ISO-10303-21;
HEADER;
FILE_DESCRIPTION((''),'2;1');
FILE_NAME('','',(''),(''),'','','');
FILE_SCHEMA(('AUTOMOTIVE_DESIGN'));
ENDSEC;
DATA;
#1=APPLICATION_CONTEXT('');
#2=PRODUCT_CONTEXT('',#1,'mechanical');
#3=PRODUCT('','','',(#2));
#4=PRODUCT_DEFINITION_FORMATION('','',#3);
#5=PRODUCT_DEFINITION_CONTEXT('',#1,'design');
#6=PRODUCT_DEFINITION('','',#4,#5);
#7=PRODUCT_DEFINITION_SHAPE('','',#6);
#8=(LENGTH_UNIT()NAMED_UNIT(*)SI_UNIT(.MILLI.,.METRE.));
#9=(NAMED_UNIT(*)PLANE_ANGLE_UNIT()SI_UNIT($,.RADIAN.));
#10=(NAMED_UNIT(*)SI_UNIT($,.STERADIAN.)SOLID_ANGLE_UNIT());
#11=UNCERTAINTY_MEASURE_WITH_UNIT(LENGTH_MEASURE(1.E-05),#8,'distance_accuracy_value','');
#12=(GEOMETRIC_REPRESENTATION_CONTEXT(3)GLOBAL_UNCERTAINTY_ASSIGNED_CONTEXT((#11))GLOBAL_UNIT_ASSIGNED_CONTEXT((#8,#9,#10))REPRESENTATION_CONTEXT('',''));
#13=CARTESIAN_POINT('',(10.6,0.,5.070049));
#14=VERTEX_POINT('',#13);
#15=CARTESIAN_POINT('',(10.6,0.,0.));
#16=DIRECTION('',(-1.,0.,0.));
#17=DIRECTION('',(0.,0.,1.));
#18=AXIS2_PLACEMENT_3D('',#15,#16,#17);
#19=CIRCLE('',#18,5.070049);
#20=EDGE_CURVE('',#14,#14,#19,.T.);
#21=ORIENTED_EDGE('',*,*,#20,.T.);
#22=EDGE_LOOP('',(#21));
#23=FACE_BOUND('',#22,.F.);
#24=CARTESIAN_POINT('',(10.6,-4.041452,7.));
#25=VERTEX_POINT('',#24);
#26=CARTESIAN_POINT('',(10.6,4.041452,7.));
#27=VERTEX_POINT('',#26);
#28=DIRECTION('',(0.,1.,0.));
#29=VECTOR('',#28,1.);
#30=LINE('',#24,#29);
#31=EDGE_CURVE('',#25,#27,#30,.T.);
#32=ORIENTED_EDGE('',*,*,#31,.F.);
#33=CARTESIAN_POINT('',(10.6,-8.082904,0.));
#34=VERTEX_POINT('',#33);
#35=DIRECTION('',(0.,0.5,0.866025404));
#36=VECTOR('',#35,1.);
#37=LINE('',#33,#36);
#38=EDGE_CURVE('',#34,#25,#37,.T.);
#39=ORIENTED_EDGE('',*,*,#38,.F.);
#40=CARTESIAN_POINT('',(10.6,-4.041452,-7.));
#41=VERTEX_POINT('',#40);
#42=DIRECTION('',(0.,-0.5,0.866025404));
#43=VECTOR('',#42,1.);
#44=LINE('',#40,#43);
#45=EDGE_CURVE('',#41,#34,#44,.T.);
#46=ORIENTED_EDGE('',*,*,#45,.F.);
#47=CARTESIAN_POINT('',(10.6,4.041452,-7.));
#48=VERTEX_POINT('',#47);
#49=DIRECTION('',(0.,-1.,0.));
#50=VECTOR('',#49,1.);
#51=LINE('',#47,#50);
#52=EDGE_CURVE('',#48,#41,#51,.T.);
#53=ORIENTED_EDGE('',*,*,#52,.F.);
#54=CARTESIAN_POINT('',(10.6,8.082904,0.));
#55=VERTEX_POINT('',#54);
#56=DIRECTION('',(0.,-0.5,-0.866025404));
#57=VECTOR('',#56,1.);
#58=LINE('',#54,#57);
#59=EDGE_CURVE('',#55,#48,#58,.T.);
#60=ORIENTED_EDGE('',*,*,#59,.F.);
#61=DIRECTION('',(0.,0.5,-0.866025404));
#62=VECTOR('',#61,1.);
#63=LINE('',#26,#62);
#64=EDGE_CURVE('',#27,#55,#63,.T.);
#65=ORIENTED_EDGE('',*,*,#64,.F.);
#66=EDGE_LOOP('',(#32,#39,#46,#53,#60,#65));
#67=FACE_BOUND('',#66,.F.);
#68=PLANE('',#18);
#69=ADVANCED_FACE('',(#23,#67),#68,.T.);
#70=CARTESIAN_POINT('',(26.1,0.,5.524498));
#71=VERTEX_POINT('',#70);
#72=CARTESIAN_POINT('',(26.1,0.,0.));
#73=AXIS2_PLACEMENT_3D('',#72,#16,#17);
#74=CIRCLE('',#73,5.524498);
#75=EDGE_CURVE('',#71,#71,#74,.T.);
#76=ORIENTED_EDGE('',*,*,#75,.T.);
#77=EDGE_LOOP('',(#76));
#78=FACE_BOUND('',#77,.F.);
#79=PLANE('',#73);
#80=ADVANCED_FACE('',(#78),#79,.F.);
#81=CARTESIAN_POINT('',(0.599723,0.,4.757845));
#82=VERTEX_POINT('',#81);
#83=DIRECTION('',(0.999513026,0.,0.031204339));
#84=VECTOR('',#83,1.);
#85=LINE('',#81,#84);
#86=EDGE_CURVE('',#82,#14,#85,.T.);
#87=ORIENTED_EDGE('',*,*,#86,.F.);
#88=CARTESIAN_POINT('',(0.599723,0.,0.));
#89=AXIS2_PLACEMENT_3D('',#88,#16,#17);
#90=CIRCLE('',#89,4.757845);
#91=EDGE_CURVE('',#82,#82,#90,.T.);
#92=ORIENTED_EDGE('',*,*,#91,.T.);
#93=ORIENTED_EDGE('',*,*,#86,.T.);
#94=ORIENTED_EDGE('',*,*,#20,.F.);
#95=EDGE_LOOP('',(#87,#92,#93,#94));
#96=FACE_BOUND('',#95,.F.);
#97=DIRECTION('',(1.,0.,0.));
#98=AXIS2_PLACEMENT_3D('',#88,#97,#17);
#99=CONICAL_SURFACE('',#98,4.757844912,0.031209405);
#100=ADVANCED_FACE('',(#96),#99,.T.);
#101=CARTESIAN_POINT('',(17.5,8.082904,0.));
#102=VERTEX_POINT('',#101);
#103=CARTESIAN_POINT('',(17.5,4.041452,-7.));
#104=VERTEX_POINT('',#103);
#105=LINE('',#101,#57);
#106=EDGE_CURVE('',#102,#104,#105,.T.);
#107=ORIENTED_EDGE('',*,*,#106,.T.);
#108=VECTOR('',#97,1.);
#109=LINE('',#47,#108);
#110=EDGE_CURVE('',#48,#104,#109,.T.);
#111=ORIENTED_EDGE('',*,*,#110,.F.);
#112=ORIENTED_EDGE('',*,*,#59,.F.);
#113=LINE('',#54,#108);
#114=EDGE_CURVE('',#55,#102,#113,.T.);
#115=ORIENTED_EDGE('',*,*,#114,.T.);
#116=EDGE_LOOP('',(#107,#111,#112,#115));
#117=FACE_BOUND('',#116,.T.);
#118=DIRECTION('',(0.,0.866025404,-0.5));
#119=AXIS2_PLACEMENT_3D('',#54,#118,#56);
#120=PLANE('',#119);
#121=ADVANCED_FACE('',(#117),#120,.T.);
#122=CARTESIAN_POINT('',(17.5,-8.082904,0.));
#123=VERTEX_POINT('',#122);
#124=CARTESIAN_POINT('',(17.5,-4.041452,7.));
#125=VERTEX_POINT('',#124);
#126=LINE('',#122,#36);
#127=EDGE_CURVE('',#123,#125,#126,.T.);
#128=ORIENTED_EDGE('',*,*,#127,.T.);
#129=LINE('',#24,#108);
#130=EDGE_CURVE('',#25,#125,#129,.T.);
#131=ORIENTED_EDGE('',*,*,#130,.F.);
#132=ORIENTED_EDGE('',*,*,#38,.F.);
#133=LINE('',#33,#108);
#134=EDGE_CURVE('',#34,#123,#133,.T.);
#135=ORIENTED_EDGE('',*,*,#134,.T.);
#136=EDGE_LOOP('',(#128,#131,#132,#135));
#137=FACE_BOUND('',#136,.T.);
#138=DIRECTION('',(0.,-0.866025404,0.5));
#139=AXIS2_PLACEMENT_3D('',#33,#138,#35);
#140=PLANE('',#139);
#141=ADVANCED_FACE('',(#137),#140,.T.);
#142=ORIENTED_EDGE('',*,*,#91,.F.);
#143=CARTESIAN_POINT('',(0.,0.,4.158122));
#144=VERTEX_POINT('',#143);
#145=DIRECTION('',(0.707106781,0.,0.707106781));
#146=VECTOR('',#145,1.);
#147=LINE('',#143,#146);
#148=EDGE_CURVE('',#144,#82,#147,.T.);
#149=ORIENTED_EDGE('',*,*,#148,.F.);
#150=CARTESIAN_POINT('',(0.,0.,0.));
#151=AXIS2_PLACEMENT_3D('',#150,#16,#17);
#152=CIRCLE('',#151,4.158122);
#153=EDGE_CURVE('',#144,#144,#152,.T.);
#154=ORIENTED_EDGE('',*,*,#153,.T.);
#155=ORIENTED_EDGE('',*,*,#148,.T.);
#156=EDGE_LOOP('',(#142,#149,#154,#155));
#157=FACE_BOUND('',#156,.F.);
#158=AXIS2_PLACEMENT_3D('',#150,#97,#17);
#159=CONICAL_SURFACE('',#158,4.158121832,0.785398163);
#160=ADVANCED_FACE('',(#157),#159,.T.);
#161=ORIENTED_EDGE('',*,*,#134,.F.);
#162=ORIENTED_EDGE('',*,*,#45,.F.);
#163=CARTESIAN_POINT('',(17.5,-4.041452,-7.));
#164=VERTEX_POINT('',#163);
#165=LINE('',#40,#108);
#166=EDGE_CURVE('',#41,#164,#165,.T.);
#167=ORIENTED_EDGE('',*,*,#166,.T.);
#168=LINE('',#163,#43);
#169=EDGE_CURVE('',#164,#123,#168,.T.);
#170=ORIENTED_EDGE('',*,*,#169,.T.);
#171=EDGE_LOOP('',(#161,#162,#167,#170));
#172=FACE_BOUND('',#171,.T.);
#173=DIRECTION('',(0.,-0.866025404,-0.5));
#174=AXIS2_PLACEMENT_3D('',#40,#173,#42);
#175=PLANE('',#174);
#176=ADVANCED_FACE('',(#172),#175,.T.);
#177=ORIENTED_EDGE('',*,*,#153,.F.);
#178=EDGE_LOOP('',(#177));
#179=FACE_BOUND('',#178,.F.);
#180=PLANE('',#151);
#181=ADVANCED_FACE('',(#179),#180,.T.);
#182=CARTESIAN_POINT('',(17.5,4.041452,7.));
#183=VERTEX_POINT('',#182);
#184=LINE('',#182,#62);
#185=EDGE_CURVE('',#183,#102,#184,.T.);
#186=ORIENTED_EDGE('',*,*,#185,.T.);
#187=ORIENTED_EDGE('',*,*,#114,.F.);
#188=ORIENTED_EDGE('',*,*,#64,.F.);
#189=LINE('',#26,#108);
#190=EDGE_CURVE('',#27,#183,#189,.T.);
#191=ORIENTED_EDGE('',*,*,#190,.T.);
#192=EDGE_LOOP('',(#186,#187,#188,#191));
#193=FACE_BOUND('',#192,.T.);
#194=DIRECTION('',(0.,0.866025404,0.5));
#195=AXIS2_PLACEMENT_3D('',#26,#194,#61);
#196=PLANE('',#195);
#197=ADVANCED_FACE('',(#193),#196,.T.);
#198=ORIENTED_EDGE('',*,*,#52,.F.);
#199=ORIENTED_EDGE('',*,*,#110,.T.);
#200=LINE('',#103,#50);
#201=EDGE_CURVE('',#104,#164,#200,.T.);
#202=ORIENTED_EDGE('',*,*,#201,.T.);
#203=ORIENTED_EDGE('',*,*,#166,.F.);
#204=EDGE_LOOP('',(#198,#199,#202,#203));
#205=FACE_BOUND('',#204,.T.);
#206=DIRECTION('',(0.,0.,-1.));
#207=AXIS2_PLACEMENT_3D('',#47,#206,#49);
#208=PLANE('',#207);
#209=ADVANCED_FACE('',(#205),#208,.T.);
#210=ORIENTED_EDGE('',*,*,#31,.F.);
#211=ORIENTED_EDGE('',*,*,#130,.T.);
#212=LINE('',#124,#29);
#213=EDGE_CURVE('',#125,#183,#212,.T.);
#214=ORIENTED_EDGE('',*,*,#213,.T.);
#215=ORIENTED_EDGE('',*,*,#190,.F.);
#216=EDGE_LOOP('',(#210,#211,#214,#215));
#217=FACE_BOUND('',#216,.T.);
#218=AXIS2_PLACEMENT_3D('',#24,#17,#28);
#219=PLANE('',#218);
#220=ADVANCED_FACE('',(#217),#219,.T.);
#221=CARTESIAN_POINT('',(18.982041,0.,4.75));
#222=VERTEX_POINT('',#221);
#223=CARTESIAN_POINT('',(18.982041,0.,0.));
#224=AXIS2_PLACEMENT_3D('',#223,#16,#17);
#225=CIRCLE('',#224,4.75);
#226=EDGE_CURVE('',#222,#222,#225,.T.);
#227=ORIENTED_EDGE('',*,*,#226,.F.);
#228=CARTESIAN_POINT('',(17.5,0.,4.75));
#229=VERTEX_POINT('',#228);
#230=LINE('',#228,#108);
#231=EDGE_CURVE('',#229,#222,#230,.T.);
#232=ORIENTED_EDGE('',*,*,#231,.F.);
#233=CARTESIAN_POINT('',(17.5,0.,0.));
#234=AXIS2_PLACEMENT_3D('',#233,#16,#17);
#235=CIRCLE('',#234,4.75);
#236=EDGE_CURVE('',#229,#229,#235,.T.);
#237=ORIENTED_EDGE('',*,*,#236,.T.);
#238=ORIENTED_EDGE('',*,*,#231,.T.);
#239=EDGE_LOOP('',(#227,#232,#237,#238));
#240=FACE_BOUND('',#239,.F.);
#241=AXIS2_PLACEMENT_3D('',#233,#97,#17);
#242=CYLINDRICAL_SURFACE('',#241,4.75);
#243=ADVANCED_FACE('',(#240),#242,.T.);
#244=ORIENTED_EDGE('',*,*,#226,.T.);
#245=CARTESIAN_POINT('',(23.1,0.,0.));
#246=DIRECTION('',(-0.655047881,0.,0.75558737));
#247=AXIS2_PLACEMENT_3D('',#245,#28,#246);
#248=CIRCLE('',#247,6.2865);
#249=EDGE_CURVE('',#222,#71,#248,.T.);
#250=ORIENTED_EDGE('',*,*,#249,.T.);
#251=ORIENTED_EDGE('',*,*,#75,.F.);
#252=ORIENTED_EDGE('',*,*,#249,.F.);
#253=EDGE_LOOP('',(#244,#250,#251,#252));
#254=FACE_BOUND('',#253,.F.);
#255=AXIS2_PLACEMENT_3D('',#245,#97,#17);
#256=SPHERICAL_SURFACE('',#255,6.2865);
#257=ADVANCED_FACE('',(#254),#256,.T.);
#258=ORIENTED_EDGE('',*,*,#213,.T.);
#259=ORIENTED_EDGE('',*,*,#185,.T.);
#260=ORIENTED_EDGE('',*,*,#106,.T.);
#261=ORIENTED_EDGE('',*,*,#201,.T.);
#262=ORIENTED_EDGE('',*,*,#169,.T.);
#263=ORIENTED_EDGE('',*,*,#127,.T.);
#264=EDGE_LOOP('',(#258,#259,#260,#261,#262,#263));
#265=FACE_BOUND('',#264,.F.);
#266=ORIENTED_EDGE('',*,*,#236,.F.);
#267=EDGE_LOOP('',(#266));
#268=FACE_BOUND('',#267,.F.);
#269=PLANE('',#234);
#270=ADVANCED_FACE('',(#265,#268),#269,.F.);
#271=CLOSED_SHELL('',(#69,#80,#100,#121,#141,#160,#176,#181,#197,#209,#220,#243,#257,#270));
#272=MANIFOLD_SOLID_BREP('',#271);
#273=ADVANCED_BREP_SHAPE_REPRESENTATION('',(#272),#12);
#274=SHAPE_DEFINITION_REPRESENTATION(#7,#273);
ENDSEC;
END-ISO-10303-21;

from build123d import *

# Parameters (mm, degrees)
SKETCH_2_R          = 14
CUT_EXTRUDE_1_DEPTH = 6.9


with BuildPart() as part:
    # 草图1 → 旋转1 (revolve)
    with BuildSketch(Plane.XY):
        with BuildLine():
            Line((0, 0), (0, 4.158121832))
            Line((0, 4.158121832), (0.59972308, 4.757844912))
            Line((0.59972308, 4.757844912), (10.6, 5.070048976))
            Line((10.6, 5.070048976), (10.6, 12))
            Line((10.6, 12), (17.5, 12))
            Line((17.5, 12), (17.5, 4.75))
            Line((17.5, 4.75), (18.982041495, 4.75))
            ThreePointArc((18.982041495, 4.75), (22.419985488, 6.249612989), (26.1, 5.524498371))
            Line((26.1, 5.524498371), (26.1, 0))
            Line((26.1, 0), (0, 0))
        make_face()
    revolve(axis=Axis((26.1, 0, 0), (-1, 0, 0)))

    # 草图2 → 切除-拉伸1 (cut)
    with BuildSketch(Plane.ZY.offset(-10.6)):
        Circle(SKETCH_2_R)
        Polygon((0, -8.082903769), (7, -4.041451884), (7, 4.041451884), (0, 8.082903769), (-7, 4.041451884), (-7, -4.041451884), align=None, mode=Mode.SUBTRACT)
    extrude(amount=-CUT_EXTRUDE_1_DEPTH, mode=Mode.SUBTRACT)


solid = part.part
